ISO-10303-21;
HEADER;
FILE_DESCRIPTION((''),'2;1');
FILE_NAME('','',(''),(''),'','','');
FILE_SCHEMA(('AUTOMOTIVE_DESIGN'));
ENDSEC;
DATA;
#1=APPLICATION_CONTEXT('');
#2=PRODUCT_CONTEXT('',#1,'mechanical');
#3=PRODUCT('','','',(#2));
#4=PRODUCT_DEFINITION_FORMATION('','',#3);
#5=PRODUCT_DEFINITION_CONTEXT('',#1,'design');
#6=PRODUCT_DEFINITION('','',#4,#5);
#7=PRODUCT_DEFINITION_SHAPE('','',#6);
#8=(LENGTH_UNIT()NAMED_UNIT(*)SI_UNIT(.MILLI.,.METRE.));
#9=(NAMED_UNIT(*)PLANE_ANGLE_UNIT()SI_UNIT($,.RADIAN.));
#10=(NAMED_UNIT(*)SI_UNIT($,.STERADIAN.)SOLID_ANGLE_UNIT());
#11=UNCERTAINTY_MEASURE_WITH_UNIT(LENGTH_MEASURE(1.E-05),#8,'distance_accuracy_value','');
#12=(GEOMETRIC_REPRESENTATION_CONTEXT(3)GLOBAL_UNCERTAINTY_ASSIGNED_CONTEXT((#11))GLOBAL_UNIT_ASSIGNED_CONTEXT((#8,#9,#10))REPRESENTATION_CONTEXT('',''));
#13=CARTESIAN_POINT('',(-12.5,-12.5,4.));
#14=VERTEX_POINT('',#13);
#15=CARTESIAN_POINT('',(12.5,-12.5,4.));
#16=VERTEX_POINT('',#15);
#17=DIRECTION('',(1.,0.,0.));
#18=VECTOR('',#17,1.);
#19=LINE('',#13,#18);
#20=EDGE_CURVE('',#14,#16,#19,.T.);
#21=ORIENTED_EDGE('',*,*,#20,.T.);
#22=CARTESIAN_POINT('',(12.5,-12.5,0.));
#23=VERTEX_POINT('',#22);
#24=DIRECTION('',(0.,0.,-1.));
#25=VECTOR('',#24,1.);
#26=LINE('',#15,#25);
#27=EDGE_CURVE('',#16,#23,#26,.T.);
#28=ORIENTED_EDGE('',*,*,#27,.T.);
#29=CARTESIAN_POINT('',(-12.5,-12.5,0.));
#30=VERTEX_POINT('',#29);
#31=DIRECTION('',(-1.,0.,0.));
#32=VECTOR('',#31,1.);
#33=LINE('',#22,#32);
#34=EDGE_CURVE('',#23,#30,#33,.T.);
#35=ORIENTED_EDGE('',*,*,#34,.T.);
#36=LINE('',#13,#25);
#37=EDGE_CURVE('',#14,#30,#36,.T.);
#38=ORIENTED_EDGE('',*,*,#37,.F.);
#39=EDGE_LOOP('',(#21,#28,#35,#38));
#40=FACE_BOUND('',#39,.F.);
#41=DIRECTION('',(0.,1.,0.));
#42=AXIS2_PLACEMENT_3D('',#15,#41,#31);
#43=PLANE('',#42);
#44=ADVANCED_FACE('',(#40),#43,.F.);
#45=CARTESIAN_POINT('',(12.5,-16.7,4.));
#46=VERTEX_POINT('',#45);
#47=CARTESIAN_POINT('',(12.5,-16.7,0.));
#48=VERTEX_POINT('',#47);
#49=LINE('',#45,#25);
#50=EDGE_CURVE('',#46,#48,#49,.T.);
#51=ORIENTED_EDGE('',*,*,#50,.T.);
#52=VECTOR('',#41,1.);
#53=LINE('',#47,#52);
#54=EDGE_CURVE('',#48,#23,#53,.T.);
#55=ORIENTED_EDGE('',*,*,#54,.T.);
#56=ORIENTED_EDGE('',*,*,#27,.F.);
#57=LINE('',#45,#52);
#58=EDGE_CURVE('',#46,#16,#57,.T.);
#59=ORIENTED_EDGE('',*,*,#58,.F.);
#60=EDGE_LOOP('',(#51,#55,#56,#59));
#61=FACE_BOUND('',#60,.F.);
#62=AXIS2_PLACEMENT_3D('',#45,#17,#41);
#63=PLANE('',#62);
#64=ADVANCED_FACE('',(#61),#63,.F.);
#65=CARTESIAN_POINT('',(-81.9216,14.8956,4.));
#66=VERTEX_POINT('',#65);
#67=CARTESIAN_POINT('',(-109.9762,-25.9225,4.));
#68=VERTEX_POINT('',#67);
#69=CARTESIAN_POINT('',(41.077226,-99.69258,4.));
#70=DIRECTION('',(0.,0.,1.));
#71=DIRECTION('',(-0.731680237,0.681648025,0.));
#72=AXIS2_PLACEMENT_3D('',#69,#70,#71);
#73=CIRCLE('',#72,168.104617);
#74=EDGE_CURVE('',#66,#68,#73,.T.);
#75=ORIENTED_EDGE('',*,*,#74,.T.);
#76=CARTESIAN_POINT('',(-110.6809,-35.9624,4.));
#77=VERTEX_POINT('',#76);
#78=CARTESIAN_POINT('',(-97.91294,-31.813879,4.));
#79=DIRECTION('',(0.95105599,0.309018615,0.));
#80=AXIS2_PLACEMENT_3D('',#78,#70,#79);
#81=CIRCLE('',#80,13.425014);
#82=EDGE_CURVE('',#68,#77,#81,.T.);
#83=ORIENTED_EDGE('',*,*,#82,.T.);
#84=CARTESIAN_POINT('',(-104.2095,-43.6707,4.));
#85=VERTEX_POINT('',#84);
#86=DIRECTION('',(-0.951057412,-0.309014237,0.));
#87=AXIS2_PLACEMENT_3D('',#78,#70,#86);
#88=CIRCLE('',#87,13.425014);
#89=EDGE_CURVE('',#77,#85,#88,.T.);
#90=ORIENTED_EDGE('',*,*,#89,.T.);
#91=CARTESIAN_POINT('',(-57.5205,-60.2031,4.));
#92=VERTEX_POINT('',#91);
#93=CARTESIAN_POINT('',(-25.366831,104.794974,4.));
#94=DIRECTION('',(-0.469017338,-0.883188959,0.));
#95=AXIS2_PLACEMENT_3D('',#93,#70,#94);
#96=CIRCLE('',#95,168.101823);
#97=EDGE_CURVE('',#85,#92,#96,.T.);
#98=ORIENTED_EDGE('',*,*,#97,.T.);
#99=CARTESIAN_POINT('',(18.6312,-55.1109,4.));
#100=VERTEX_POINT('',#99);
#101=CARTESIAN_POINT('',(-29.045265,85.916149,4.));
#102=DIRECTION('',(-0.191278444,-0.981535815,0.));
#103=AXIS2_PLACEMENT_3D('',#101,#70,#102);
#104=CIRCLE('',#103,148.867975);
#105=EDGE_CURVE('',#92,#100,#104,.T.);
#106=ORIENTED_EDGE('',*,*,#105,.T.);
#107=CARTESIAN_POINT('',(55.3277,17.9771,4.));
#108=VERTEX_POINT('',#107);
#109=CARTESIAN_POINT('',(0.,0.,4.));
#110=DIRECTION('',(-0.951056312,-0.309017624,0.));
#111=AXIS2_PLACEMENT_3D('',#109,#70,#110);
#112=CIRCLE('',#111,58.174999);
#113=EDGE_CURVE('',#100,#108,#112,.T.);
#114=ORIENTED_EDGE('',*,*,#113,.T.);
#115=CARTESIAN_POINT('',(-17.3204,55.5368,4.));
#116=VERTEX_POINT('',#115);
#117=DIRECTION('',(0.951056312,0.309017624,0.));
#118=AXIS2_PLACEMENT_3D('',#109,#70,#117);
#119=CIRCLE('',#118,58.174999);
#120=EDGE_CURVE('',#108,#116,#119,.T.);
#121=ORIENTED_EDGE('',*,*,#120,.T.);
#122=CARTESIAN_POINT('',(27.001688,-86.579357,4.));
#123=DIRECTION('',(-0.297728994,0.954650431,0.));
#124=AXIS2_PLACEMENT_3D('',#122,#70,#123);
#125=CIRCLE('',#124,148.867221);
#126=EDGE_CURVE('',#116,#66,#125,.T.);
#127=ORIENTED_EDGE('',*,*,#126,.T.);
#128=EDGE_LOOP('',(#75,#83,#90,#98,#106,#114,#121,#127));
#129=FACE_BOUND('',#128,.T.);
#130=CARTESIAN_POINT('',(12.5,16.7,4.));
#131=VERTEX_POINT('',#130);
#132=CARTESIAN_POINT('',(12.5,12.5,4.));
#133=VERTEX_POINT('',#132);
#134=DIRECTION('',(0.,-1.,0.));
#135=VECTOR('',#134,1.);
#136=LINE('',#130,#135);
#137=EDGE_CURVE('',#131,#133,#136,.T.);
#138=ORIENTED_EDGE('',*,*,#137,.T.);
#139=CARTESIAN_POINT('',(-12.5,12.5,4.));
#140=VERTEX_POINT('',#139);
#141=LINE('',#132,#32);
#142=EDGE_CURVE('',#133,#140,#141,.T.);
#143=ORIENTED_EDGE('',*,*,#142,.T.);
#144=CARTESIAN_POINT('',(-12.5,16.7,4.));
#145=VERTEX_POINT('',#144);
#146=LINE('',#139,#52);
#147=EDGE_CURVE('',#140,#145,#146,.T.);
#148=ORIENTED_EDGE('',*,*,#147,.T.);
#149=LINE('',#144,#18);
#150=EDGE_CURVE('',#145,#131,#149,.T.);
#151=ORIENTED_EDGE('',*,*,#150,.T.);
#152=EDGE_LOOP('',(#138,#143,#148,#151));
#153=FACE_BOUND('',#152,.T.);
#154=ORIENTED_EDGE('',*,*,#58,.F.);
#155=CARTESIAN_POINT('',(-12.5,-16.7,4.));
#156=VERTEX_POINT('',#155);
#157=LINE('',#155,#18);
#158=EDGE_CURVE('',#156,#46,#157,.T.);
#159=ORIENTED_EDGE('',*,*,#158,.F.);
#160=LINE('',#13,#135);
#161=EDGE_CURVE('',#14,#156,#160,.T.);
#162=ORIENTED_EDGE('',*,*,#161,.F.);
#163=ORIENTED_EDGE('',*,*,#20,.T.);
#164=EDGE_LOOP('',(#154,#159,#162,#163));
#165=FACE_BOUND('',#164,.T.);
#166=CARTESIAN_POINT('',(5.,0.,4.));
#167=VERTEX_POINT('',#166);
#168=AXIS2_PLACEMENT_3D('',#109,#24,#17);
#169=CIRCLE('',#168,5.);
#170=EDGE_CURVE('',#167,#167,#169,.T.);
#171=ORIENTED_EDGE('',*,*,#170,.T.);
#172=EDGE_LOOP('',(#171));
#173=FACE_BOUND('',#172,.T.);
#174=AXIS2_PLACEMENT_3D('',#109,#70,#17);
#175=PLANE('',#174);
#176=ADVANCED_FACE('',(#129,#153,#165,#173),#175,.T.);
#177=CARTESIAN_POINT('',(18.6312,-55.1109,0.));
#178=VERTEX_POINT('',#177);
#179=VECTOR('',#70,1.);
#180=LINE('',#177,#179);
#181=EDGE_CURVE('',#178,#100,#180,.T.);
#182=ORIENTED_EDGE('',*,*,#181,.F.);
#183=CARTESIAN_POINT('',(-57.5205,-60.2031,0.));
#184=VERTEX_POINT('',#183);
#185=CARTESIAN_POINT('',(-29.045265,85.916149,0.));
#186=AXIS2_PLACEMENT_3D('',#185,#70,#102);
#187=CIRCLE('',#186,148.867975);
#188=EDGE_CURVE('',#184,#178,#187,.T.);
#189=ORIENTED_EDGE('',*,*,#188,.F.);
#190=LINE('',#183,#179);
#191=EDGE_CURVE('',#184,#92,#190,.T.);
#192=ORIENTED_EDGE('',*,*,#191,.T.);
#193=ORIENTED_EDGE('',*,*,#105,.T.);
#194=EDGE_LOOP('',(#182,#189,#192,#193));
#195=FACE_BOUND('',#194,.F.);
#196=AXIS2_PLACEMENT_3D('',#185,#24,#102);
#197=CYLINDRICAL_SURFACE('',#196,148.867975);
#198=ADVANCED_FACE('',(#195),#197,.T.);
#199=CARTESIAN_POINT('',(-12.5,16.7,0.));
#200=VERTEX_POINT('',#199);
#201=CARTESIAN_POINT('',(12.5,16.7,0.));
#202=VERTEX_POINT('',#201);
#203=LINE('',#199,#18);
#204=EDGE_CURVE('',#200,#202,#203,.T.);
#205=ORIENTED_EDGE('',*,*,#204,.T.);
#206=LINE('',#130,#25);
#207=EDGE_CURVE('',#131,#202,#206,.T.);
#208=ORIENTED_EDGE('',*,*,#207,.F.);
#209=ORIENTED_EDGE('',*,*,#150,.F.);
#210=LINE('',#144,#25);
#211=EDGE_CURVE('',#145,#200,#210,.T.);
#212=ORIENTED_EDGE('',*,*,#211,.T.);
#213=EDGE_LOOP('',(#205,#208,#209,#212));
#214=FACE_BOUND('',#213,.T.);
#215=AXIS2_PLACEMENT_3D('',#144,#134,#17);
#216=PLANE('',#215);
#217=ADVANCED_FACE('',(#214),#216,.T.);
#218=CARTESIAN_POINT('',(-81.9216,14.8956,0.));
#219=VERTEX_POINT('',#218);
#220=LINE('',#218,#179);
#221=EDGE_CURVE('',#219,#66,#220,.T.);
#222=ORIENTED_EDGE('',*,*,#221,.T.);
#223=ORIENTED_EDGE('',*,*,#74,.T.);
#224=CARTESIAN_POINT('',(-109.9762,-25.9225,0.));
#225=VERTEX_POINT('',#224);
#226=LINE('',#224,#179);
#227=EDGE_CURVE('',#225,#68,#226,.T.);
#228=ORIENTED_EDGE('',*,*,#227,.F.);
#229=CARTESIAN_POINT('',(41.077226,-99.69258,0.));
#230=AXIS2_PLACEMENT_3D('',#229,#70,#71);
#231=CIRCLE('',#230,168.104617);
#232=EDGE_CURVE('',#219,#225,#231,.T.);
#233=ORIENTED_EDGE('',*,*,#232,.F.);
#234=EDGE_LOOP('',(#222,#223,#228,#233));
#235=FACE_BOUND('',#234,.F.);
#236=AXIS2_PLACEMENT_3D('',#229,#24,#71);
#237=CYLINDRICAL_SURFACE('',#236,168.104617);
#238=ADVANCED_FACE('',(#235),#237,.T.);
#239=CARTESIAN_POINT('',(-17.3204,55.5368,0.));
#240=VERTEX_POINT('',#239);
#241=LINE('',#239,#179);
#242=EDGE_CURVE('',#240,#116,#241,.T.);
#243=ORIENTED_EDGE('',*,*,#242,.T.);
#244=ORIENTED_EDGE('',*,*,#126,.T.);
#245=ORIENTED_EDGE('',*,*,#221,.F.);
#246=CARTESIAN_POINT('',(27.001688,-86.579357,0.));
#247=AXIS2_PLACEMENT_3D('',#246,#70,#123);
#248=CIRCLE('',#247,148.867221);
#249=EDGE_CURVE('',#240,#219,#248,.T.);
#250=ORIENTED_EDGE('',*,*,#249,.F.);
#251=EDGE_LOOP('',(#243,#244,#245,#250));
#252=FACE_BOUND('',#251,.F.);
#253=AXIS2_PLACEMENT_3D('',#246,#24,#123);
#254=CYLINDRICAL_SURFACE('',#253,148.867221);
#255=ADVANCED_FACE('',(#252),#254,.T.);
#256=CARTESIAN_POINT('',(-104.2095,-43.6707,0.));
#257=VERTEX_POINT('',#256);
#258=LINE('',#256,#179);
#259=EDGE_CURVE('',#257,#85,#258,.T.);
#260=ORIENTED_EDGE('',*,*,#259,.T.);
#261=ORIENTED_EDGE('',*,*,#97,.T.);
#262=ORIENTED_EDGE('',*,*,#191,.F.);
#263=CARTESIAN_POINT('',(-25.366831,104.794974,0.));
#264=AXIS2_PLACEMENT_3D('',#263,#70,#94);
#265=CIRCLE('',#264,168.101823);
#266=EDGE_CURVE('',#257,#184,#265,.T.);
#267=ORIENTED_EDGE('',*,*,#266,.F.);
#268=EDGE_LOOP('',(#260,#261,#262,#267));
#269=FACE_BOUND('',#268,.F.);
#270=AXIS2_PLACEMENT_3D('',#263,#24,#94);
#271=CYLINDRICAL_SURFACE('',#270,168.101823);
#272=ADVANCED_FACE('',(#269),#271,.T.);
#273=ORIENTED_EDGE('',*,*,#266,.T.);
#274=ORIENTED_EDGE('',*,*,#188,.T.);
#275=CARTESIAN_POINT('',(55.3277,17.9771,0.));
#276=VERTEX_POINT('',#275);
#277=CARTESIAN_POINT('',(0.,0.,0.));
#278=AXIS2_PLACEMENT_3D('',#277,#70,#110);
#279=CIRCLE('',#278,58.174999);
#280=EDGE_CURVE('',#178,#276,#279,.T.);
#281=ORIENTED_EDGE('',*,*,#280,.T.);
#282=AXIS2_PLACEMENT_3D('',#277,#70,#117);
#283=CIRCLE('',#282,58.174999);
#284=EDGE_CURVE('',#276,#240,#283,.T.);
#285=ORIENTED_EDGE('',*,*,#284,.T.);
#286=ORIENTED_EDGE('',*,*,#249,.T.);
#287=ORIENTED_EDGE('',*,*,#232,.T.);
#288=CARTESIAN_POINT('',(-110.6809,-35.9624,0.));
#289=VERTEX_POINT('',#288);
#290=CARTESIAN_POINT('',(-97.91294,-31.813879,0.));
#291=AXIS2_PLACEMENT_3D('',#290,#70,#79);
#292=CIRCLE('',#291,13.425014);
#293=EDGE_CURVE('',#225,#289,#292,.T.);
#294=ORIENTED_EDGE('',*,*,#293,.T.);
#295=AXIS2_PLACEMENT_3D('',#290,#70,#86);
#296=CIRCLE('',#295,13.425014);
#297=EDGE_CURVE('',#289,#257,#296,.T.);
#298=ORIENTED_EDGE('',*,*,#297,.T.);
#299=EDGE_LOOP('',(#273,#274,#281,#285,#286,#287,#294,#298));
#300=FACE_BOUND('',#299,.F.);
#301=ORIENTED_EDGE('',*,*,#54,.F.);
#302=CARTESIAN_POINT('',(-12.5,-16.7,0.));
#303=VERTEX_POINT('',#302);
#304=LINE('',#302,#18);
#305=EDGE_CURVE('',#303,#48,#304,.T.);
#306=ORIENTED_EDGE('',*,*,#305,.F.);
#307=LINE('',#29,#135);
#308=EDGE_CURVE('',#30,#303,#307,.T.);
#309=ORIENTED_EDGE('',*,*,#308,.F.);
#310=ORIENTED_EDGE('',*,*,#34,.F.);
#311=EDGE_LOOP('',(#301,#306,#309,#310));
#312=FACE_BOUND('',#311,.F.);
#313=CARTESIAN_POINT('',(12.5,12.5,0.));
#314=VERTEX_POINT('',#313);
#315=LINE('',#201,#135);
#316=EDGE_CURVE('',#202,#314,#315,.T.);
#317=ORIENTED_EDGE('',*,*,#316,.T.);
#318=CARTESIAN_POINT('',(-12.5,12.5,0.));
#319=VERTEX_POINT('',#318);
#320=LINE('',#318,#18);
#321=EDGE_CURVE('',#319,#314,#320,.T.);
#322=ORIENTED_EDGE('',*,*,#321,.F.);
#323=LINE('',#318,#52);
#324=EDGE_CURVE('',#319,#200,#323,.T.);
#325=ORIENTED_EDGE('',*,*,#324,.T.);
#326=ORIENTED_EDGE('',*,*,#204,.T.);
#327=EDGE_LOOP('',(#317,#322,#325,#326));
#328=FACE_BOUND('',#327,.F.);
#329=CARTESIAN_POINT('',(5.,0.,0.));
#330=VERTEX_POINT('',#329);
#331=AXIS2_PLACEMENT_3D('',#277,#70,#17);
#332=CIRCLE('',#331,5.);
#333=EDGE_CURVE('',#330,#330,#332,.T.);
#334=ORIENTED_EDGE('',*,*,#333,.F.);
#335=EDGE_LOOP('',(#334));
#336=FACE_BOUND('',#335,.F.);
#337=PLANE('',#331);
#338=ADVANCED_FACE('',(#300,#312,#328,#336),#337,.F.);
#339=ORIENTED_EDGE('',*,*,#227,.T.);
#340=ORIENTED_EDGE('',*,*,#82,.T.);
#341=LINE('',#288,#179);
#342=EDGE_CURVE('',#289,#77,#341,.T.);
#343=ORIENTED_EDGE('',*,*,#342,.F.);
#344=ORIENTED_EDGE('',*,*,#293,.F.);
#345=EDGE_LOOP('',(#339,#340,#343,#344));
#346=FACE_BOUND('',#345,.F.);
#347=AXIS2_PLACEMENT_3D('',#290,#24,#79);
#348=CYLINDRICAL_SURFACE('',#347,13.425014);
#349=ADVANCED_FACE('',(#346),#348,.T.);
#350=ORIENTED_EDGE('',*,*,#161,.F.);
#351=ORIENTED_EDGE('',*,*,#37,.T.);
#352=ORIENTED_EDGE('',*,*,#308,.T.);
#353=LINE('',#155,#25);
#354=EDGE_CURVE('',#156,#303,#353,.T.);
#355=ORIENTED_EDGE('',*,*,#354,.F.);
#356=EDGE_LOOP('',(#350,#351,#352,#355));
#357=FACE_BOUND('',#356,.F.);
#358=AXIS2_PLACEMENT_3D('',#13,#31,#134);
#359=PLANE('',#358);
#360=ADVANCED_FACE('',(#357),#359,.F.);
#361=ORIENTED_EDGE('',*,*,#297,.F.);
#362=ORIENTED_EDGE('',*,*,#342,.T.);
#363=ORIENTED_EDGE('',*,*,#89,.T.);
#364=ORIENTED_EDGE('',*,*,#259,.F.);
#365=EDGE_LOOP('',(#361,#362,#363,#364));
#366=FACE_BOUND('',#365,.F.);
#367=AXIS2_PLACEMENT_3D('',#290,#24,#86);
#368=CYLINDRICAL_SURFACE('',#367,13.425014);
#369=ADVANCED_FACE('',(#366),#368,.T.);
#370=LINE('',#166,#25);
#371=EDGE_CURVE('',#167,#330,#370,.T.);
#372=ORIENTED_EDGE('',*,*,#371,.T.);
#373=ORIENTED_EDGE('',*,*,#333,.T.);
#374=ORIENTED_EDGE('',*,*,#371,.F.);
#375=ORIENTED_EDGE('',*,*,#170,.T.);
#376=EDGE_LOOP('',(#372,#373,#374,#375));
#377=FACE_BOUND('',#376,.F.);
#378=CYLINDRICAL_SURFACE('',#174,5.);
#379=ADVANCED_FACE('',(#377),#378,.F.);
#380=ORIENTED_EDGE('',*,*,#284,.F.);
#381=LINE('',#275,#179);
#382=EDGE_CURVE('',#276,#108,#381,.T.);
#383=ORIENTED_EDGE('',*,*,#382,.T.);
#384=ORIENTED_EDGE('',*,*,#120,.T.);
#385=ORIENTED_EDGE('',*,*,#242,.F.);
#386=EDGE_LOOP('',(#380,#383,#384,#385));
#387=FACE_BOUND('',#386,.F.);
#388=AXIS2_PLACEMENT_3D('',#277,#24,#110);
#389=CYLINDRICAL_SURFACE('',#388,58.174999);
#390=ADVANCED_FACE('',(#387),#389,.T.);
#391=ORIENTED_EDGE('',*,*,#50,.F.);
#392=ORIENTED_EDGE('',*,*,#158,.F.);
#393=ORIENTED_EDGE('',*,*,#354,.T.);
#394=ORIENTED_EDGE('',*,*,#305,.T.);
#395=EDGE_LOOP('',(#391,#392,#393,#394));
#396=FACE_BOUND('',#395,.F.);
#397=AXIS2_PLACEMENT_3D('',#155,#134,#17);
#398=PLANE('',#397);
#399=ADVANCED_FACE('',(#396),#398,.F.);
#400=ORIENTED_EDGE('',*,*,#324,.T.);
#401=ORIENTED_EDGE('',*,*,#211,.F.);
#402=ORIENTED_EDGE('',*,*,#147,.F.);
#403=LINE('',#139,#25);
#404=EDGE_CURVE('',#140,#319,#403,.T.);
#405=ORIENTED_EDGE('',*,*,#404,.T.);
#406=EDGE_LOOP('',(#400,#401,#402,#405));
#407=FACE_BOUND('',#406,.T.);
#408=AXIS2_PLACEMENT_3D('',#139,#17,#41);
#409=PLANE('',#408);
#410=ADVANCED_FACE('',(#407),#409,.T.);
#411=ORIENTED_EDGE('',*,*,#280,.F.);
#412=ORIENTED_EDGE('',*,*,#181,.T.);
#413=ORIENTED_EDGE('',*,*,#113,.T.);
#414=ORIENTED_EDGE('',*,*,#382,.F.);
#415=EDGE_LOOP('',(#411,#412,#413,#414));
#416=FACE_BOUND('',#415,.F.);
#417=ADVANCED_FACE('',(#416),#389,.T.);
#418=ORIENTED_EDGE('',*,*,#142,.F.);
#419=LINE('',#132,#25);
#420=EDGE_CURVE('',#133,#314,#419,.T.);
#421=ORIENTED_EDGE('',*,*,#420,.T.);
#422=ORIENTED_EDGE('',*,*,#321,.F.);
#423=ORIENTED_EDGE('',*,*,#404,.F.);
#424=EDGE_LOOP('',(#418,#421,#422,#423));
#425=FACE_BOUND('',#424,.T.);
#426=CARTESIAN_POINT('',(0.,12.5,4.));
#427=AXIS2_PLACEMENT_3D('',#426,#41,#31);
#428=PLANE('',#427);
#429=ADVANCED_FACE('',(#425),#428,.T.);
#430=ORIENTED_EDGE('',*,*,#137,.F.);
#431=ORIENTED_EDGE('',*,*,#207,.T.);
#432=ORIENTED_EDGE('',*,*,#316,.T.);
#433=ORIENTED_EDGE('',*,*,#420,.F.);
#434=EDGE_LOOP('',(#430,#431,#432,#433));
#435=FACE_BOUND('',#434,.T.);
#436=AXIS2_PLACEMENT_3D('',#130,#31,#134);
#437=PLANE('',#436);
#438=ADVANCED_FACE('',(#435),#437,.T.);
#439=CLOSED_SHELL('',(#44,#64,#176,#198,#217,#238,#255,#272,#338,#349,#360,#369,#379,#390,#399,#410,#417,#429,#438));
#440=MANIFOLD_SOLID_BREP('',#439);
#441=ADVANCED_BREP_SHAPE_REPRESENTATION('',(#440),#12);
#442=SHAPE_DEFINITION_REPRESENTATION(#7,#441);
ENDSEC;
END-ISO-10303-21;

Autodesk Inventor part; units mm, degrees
ref_plane "YZ Plane" through (0, 0, 0) normal (1, 0, 0) x (0, 1, 0)
ref_plane "XZ Plane" through (0, 0, 0) normal (0, 1, 0) x (-1, 0, 0)
ref_plane "XY Plane" through (0, 0, 0) normal (0, 0, 1) x (1, 0, 0)
sketch "Boceto1" plane through (0, 0, 0) normal (0, 0, 1) x (1, 0, 0)
  arc A0 (55.3277, 17.9771) -> (-55.3277, -17.9771) centre (0, 0) ccw
  arc A1 (-85.145, -27.6653) -> (-110.6809, -35.9624) centre (-97.9129, -31.8138) ccw
  line L0 (-114.3775, -37.1635) -> (-118.5261, -24.3956)
  line L1 (-17.3204, 55.5368) -> (-24.2347, 76.8167)
  line L2 (-24.2347, 76.8167) -> (-118.5261, -24.3956)
  line L3 (-118.5261, -24.3956) -> (-81.9216, 14.8956)
  arc A2 (-17.3204, 55.5368) -> (-81.9216, 14.8956) centre (27.0018, -86.5796) ccw
  arc A3 (-81.9216, 14.8956) -> (-109.9762, -25.9225) centre (41.0775, -99.6928) ccw
  line L4 (4.256, 1.3829) -> (55.3277, 17.9771)
  line L5 (-4.256, -1.3829) -> (-114.3775, -37.1635)
  arc A4 (-55.3277, -17.9771) -> (55.3277, 17.9771) centre (0, 0) ccw
  arc A5 (-110.6809, -35.9624) -> (-85.145, -27.6653) centre (-97.9129, -31.8138) ccw
  line L6 (-114.3775, -37.1635) -> (-110.229, -49.9314)
  line L7 (18.6312, -55.1109) -> (25.5455, -76.3908)
  line L8 (25.5455, -76.3908) -> (-110.229, -49.9314)
  line L9 (-110.229, -49.9314) -> (-57.5205, -60.2031)
  arc A6 (-57.5205, -60.2031) -> (18.6312, -55.1109) centre (-29.0453, 85.9156) ccw
  arc A7 (-104.2095, -43.6707) -> (-57.5205, -60.2031) centre (-25.3655, 104.798) ccw
  dimension "d0" = 116.35
  dimension "d6" = 26.85
  dimension "d7" = 13.425
  dimension "d8" = 22.375
  dimension "d9" = 53.7
extrude "Extrusión2" add sketch "Boceto1" along normal blind 4 contours A4 A0 | A0 L5 A1 A3 A2 | A6 A7 A5 L5 A4 | L5 A1 | A5 L5
sketch "Boceto2" plane through (0, 0, 4) normal (0, 0, 1) x (1, 0, 0)
  line L0 (0, 0) -> (0, 12.5)
  line L1 (0, 12.5) -> (-12.5, 12.5)
  line L2 (-12.5, 12.5) -> (-12.5, 16.7)
  line L3 (-12.5, 16.7) -> (12.5, 16.7)
  line L4 (12.5, 16.7) -> (12.5, 12.5)
  line L5 (12.5, 12.5) -> (0, 12.5)
  line L6 (0, 0) -> (12.5, 0)
  line L7 (0, 0) -> (0, -12.5)
  line L8 (0, -12.5) -> (-12.5, -12.5)
  line L9 (-12.5, -12.5) -> (-12.5, -16.7)
  line L10 (-12.5, -16.7) -> (12.5, -16.7)
  line L11 (12.5, -16.7) -> (12.5, -12.5)
  line L12 (12.5, -12.5) -> (0, -12.5)
  circle A0 centre (0, 0) radius 5
  dimension "d24" = 12.5
  dimension "d25" = 12.5
  dimension "d26" = 4.2
  dimension "d27" = 25
  dimension "d28" = 10
extrude "Extrusión3" cut sketch "Boceto2" against normal blind 4
properties part number "leva00" material "Madera (abedul)"
